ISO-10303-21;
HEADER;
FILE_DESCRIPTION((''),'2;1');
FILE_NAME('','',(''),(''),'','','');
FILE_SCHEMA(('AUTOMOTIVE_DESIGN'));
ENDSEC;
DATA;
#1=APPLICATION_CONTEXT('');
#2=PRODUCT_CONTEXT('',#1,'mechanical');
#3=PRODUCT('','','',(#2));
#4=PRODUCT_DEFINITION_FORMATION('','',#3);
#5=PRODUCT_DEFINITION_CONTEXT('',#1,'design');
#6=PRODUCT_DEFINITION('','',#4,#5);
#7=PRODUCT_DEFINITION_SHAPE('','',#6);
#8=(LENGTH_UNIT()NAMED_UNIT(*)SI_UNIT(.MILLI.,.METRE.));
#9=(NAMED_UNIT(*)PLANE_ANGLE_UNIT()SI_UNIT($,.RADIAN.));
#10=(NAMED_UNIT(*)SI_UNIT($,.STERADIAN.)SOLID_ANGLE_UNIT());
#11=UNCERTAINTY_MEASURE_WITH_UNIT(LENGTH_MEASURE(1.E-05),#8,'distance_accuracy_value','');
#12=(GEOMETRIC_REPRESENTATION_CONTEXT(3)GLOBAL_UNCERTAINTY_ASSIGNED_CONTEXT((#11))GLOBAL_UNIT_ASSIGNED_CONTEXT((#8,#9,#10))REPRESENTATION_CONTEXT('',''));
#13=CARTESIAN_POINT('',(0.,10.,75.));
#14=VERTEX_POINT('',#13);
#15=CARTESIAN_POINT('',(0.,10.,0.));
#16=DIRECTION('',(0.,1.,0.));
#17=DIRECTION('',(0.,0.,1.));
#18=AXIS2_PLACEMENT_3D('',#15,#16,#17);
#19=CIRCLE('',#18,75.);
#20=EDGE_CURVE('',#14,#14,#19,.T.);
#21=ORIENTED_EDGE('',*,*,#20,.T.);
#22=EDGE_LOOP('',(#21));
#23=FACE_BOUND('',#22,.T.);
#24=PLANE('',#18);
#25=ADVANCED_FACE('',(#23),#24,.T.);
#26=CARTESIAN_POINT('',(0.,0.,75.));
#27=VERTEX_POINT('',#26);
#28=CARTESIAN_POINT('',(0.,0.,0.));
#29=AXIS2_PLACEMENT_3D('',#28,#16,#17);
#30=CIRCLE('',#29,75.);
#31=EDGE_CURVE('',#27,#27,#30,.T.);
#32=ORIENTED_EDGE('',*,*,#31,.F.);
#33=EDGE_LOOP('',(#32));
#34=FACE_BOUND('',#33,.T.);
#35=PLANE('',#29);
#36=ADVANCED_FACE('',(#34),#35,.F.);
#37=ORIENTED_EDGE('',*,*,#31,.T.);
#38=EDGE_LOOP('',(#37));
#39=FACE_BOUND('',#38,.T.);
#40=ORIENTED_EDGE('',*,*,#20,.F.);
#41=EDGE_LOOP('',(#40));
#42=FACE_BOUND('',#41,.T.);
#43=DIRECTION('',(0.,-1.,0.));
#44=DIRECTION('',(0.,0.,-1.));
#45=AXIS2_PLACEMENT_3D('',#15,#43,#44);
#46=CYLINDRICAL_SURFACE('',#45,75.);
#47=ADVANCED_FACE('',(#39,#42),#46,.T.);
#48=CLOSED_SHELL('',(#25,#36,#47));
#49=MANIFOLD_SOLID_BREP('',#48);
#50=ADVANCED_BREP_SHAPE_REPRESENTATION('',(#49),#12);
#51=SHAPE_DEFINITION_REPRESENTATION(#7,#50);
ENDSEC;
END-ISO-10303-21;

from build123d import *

# Parameters (mm, degrees)
ESQUISSE1_R        = 75
BOSS_EXTRU_1_DEPTH = 10


with BuildPart() as part:
    # Esquisse1 → Boss.-Extru.1 (new body)
    with BuildSketch(Plane(origin=(0, 0, 0), x_dir=(1, 0, 0), z_dir=(0, 1, 0))):
        Circle(ESQUISSE1_R)
    extrude(amount=BOSS_EXTRU_1_DEPTH)


solid = part.part
